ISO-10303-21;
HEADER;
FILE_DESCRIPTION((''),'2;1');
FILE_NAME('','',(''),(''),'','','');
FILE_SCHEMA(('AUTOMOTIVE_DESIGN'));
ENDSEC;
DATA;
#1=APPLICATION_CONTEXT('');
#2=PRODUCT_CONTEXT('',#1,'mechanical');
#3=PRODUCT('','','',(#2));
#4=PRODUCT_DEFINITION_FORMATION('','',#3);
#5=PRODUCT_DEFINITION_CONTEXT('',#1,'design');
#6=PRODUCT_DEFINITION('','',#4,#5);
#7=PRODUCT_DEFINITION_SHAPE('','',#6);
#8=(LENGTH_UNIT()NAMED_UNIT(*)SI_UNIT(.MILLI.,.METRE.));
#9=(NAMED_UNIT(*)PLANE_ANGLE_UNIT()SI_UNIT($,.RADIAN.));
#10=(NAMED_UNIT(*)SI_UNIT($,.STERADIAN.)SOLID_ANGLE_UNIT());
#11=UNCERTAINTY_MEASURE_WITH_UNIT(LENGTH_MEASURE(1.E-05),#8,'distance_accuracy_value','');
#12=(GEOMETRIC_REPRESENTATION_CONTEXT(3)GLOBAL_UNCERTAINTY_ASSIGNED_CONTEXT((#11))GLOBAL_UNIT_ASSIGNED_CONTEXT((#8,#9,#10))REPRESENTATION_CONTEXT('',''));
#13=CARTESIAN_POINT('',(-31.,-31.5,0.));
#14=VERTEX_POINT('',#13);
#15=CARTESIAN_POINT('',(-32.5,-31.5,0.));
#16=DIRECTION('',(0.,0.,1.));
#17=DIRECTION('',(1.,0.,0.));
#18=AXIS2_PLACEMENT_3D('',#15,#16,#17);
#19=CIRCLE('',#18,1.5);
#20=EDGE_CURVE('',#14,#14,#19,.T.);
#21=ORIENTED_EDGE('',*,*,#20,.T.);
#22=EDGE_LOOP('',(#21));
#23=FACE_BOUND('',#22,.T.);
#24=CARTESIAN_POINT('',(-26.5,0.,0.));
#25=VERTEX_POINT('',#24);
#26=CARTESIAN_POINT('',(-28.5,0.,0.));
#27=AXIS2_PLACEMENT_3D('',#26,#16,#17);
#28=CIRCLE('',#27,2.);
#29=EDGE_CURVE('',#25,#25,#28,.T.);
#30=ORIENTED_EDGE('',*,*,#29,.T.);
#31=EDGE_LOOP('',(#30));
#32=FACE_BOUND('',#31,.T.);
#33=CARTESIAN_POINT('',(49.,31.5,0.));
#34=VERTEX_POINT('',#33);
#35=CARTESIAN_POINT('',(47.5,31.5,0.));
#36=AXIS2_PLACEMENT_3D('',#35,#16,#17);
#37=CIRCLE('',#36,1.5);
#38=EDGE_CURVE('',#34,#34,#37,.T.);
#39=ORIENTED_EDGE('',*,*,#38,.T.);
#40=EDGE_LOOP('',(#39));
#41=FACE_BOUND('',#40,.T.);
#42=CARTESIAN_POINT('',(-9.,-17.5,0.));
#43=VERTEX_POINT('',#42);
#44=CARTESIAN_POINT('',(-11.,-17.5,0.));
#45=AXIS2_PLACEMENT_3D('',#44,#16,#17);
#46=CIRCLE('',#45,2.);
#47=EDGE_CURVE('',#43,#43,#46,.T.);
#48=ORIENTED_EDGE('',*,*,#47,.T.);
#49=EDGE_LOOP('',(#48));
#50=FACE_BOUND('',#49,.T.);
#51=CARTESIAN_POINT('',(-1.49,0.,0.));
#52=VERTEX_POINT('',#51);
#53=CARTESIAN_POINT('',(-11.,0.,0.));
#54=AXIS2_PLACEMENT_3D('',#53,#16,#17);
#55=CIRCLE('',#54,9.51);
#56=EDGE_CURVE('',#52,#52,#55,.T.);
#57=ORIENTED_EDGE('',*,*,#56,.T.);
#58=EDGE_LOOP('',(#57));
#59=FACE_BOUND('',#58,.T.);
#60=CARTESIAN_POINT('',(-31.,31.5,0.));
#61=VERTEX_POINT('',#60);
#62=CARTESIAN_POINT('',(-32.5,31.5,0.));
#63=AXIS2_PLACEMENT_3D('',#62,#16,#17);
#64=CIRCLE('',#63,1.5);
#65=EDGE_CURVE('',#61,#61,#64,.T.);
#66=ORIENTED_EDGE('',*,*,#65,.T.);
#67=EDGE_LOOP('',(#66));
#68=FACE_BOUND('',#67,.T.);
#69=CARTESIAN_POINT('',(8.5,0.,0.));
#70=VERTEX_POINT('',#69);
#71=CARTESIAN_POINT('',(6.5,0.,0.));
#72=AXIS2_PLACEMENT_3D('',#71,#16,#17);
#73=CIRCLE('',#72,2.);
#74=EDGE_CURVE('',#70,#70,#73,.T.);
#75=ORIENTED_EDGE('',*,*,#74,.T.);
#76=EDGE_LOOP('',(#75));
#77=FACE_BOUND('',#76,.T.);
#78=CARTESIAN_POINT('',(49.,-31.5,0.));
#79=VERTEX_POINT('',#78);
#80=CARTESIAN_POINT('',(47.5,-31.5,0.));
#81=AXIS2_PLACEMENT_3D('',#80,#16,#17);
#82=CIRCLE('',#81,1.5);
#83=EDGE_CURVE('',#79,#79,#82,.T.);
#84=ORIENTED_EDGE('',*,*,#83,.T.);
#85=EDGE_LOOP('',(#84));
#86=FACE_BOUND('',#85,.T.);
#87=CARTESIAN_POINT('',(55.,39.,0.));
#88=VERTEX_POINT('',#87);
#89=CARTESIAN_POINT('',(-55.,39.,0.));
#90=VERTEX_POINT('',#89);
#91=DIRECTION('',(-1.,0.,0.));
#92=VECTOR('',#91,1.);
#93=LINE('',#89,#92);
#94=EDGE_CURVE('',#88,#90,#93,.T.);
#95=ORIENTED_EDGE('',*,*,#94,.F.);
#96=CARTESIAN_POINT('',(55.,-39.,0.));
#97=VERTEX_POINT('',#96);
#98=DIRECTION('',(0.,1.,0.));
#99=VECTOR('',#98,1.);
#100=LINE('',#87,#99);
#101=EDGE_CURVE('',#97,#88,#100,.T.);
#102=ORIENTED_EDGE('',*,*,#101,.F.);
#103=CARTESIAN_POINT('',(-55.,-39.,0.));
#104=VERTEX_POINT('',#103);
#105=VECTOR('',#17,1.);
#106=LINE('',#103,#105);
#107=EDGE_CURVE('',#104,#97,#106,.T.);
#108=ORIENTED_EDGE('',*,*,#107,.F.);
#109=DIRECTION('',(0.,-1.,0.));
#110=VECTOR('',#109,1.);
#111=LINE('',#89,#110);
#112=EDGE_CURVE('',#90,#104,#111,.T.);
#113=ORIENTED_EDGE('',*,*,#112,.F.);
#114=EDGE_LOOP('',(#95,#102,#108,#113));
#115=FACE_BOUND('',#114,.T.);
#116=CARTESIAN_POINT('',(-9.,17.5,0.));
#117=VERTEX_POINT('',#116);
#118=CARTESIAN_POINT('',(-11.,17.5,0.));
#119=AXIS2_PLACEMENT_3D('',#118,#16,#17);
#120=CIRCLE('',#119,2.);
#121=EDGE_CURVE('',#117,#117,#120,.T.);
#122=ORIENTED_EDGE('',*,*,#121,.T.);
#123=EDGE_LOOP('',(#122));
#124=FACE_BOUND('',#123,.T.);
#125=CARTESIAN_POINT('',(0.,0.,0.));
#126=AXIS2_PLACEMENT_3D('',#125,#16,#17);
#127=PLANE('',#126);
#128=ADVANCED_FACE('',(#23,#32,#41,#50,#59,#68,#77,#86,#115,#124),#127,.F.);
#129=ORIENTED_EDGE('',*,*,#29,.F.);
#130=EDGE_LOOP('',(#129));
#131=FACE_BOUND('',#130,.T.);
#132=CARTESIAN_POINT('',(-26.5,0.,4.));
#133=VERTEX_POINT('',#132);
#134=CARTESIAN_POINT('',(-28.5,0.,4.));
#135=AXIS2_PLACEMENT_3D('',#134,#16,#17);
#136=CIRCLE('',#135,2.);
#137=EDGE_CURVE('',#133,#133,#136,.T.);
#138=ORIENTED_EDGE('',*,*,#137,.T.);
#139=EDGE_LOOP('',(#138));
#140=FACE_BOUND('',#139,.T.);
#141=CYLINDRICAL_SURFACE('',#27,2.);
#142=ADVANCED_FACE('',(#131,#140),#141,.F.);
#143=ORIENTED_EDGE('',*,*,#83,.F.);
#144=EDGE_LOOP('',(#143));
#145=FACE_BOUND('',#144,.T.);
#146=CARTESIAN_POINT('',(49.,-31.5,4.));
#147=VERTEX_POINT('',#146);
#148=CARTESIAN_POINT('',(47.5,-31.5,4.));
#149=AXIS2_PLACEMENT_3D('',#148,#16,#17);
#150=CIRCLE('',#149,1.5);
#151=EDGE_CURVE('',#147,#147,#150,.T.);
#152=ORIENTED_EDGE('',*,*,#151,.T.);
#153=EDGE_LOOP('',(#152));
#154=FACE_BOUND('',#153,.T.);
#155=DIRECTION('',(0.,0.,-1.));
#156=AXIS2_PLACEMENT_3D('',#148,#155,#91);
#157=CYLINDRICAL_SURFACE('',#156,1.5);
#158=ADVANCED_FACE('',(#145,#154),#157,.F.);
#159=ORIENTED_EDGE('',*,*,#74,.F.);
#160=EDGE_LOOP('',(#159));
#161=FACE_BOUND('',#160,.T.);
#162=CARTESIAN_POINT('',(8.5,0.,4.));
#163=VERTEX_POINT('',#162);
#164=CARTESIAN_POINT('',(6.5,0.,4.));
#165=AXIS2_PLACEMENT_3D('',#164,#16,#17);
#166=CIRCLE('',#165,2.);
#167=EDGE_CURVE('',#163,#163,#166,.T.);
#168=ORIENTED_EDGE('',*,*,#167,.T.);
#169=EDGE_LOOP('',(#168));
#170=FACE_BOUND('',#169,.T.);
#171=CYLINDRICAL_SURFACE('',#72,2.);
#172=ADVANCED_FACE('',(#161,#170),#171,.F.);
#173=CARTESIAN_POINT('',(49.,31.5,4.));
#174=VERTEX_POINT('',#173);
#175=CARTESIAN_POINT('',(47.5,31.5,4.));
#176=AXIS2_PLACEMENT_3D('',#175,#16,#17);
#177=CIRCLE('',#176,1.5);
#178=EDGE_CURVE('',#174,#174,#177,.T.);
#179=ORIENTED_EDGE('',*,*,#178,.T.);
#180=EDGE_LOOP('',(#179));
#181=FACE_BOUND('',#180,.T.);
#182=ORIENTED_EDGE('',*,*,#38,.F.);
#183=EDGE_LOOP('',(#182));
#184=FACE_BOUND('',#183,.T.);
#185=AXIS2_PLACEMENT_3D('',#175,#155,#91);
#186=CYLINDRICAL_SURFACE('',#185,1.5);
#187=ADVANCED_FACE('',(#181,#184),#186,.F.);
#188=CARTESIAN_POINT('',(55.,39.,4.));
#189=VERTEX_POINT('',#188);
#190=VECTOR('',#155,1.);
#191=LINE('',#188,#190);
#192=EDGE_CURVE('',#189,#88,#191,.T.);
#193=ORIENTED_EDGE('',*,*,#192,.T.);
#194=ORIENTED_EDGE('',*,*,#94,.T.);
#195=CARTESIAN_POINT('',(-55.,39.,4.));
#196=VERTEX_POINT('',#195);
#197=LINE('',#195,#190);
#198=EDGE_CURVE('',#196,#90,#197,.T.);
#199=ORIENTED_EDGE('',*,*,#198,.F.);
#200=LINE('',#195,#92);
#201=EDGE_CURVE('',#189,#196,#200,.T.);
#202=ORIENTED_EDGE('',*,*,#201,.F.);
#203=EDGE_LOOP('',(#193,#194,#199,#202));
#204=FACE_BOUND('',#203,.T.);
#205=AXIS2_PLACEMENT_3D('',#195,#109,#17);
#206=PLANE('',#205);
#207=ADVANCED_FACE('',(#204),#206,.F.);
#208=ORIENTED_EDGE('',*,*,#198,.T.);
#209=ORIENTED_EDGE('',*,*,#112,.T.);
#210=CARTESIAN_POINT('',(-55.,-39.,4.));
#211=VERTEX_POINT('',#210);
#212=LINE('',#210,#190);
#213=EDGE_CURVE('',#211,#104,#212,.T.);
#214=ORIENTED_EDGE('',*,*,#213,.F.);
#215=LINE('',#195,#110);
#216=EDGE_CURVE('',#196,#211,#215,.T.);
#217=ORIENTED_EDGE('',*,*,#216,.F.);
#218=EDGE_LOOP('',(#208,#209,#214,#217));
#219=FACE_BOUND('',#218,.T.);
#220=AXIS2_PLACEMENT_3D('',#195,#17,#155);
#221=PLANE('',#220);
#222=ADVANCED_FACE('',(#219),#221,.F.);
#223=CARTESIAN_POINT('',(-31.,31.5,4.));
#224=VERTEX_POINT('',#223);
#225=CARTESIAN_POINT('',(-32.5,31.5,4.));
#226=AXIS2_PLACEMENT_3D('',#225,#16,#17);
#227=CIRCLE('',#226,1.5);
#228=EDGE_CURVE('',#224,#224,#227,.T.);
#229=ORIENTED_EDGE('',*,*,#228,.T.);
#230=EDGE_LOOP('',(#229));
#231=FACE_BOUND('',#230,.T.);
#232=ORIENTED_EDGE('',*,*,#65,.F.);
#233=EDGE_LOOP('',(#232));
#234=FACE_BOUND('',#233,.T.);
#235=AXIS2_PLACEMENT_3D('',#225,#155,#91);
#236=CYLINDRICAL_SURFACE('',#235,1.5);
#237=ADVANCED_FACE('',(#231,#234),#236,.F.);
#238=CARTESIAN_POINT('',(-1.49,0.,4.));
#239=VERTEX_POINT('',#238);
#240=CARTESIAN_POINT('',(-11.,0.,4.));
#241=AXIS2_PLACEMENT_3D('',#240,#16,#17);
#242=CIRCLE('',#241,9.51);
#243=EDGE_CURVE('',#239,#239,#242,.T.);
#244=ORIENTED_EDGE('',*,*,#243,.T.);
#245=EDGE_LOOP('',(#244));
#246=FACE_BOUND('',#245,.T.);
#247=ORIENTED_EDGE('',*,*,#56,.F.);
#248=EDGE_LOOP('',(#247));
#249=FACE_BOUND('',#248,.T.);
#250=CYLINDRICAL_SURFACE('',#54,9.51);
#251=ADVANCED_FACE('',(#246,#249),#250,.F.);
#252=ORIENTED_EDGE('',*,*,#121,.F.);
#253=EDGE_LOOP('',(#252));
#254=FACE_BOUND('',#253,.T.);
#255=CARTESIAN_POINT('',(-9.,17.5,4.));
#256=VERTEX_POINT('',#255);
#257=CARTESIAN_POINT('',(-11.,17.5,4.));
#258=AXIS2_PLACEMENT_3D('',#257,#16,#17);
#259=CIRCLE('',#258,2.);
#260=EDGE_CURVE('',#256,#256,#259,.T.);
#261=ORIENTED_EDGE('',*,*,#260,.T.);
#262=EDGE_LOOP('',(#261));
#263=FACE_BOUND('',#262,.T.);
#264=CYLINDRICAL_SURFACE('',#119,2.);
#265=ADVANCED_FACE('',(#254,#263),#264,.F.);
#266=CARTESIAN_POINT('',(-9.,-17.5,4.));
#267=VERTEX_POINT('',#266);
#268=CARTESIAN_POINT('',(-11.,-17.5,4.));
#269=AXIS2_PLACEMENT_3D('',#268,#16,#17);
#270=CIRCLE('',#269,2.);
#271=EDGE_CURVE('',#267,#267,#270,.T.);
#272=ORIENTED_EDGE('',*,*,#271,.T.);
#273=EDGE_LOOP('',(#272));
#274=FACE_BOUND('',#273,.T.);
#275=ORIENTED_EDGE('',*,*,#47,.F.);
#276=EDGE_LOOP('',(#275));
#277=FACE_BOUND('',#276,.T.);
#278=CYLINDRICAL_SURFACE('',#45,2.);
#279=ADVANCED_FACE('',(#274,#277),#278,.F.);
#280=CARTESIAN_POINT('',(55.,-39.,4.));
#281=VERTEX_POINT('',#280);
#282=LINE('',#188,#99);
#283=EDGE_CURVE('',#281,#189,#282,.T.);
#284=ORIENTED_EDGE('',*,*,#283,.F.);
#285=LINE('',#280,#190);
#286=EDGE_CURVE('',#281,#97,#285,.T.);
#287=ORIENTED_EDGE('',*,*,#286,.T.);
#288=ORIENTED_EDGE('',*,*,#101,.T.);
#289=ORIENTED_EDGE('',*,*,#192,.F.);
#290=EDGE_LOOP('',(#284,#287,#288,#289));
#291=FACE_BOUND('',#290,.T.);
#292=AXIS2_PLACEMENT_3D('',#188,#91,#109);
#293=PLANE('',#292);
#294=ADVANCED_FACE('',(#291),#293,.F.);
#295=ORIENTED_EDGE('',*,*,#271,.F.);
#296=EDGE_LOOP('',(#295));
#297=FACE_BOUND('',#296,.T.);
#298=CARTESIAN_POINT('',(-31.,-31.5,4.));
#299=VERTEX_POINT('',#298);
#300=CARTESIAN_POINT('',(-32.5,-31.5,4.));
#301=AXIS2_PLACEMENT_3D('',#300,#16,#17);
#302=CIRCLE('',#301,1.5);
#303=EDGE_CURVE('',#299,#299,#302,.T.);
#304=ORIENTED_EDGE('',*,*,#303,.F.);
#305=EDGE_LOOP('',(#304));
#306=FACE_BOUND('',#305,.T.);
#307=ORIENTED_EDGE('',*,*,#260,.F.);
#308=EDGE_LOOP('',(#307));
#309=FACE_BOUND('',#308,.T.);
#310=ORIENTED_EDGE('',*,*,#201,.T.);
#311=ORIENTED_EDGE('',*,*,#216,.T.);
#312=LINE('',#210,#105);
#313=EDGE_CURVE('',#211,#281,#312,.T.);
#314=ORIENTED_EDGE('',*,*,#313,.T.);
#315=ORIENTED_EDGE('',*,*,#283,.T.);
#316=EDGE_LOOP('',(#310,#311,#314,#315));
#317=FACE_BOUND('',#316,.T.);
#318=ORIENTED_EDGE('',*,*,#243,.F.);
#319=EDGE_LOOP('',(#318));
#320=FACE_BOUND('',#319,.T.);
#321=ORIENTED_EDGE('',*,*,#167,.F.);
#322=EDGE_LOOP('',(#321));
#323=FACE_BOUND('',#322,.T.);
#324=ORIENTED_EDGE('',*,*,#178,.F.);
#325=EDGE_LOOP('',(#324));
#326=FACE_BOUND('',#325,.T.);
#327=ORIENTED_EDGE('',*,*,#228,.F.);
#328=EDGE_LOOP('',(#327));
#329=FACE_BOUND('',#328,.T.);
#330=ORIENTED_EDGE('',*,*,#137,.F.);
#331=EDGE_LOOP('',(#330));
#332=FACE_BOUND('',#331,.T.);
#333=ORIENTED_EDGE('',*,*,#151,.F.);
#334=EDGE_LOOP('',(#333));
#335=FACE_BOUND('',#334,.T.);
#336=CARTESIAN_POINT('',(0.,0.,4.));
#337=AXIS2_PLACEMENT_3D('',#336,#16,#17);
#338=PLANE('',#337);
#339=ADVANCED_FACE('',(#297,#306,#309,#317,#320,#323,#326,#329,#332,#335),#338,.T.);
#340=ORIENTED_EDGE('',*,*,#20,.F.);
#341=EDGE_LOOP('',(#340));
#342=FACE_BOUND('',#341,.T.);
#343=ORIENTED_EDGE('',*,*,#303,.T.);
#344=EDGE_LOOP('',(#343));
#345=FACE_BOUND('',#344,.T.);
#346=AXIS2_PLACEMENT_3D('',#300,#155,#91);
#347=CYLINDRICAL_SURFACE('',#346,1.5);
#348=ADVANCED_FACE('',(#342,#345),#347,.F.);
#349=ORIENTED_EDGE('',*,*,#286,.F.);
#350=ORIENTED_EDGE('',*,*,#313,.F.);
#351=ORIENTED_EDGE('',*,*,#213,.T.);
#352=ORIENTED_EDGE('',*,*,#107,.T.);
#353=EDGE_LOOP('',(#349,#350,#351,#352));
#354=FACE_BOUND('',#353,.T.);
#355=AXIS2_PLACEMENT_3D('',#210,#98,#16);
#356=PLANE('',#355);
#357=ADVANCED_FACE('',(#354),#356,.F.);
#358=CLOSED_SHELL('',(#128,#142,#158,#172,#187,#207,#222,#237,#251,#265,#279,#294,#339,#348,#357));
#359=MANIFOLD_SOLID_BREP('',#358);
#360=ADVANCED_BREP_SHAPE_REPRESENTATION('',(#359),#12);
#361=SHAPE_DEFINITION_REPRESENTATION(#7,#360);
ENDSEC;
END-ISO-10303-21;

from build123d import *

# Parameters (mm, degrees)
SKETCH_1_W          = 110
SKETCH_1_H          = 78
SKETCH_1_R          = 1.5
EXTRUDE_1_DEPTH     = 4
SKETCH_4_R          = 2
SKETCH_4_R_2        = 9.51
CUT_EXTRUDE_1_DEPTH = 68.542579163


with BuildPart() as part:
    # 草图1 → 凸台-拉伸1 (new body)
    with BuildSketch(Plane.XY):
        Rectangle(SKETCH_1_W, SKETCH_1_H)
        with Locations((-32.5, 31.5)):
            Circle(SKETCH_1_R, mode=Mode.SUBTRACT)
        with Locations((47.5, 31.5)):
            Circle(SKETCH_1_R, mode=Mode.SUBTRACT)
        with Locations((47.5, -31.5)):
            Circle(SKETCH_1_R, mode=Mode.SUBTRACT)
        with Locations((-32.5, -31.5)):
            Circle(SKETCH_1_R, mode=Mode.SUBTRACT)
    extrude(amount=EXTRUDE_1_DEPTH)

    # 草图4 → 切除-拉伸1 (cut, through all)
    with BuildSketch(Plane.XY.offset(4)):
        with Locations((-11, 17.5)):
            Circle(SKETCH_4_R)
        with Locations((-28.5, 0)):
            Circle(SKETCH_4_R)
        with Locations((-11, -17.5)):
            Circle(SKETCH_4_R)
        with Locations((6.5, 0)):
            Circle(SKETCH_4_R)
        with Locations((-11, 0)):
            Circle(SKETCH_4_R_2)
    extrude(amount=-CUT_EXTRUDE_1_DEPTH, mode=Mode.SUBTRACT)


solid = part.part
